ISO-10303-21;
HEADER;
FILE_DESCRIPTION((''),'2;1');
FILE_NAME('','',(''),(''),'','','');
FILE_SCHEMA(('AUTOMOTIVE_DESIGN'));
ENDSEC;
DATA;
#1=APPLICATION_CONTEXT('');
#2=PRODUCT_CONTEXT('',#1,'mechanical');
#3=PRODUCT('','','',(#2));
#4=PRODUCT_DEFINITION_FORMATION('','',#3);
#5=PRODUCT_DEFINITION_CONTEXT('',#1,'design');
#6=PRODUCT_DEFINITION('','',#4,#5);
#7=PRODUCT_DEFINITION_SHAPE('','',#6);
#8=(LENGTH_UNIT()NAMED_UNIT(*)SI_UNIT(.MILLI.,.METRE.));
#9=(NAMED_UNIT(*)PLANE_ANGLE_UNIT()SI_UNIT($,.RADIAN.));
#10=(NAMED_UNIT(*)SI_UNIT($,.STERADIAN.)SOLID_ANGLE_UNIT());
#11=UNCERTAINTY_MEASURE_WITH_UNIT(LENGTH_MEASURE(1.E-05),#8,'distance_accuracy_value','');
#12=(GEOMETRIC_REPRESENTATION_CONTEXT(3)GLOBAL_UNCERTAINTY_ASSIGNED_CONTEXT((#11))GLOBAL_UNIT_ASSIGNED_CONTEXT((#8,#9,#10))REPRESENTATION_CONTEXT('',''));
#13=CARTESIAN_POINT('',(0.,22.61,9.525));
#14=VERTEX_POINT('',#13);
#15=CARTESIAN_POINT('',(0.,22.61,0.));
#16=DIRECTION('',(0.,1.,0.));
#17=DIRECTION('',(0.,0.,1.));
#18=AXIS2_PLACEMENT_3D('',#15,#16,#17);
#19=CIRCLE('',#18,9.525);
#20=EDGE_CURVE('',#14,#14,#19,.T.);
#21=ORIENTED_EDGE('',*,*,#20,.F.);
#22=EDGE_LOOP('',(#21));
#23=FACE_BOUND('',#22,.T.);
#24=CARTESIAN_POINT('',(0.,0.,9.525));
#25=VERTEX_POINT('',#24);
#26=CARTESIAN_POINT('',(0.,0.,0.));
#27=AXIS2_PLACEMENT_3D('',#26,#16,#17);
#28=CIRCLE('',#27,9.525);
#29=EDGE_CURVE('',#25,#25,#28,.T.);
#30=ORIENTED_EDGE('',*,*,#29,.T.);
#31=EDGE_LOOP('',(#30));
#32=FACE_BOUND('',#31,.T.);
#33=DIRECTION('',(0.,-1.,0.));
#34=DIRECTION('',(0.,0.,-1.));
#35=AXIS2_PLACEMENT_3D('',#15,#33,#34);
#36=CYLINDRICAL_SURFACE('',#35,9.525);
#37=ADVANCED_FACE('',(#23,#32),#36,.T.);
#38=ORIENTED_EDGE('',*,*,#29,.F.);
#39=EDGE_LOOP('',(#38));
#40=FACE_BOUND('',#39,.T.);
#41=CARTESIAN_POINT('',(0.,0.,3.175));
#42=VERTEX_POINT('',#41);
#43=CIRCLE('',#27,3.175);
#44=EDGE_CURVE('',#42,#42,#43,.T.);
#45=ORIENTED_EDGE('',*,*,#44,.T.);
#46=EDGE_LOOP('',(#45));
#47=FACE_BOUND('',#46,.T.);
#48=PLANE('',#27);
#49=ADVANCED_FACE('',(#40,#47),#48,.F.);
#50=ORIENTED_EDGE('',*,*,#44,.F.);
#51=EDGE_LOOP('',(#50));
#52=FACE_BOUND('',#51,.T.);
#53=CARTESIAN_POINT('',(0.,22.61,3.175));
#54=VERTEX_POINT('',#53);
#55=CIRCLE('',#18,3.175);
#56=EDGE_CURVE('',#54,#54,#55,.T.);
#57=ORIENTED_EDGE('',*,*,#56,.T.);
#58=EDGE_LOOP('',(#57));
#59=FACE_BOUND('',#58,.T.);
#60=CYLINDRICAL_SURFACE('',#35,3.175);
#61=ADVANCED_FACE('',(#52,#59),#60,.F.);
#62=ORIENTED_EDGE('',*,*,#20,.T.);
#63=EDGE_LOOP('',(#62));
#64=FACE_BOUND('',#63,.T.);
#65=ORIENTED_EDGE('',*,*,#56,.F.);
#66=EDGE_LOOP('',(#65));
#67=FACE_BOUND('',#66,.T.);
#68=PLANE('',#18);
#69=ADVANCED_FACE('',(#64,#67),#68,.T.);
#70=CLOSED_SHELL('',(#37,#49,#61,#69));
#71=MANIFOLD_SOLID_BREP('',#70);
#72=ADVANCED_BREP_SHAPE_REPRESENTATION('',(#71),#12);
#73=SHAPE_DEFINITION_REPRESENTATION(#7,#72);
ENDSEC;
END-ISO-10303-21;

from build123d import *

# Parameters (mm, degrees)
SKETCH1_R           = 9.525
SKETCH1_R_2         = 3.175
BOSS_EXTRUDE1_DEPTH = 22.61


with BuildPart() as part:
    # Sketch1 → Boss-Extrude1 (new body)
    with BuildSketch(Plane(origin=(0, 0, 0), x_dir=(1, 0, 0), z_dir=(0, 1, 0))):
        with Locations(Location((0, 0, 0), (0, 0, 270))):
            Circle(SKETCH1_R)
        with Locations(Location((0, 0, 0), (0, 0, 270))):
            Circle(SKETCH1_R_2, mode=Mode.SUBTRACT)
    extrude(amount=BOSS_EXTRUDE1_DEPTH)


solid = part.part
